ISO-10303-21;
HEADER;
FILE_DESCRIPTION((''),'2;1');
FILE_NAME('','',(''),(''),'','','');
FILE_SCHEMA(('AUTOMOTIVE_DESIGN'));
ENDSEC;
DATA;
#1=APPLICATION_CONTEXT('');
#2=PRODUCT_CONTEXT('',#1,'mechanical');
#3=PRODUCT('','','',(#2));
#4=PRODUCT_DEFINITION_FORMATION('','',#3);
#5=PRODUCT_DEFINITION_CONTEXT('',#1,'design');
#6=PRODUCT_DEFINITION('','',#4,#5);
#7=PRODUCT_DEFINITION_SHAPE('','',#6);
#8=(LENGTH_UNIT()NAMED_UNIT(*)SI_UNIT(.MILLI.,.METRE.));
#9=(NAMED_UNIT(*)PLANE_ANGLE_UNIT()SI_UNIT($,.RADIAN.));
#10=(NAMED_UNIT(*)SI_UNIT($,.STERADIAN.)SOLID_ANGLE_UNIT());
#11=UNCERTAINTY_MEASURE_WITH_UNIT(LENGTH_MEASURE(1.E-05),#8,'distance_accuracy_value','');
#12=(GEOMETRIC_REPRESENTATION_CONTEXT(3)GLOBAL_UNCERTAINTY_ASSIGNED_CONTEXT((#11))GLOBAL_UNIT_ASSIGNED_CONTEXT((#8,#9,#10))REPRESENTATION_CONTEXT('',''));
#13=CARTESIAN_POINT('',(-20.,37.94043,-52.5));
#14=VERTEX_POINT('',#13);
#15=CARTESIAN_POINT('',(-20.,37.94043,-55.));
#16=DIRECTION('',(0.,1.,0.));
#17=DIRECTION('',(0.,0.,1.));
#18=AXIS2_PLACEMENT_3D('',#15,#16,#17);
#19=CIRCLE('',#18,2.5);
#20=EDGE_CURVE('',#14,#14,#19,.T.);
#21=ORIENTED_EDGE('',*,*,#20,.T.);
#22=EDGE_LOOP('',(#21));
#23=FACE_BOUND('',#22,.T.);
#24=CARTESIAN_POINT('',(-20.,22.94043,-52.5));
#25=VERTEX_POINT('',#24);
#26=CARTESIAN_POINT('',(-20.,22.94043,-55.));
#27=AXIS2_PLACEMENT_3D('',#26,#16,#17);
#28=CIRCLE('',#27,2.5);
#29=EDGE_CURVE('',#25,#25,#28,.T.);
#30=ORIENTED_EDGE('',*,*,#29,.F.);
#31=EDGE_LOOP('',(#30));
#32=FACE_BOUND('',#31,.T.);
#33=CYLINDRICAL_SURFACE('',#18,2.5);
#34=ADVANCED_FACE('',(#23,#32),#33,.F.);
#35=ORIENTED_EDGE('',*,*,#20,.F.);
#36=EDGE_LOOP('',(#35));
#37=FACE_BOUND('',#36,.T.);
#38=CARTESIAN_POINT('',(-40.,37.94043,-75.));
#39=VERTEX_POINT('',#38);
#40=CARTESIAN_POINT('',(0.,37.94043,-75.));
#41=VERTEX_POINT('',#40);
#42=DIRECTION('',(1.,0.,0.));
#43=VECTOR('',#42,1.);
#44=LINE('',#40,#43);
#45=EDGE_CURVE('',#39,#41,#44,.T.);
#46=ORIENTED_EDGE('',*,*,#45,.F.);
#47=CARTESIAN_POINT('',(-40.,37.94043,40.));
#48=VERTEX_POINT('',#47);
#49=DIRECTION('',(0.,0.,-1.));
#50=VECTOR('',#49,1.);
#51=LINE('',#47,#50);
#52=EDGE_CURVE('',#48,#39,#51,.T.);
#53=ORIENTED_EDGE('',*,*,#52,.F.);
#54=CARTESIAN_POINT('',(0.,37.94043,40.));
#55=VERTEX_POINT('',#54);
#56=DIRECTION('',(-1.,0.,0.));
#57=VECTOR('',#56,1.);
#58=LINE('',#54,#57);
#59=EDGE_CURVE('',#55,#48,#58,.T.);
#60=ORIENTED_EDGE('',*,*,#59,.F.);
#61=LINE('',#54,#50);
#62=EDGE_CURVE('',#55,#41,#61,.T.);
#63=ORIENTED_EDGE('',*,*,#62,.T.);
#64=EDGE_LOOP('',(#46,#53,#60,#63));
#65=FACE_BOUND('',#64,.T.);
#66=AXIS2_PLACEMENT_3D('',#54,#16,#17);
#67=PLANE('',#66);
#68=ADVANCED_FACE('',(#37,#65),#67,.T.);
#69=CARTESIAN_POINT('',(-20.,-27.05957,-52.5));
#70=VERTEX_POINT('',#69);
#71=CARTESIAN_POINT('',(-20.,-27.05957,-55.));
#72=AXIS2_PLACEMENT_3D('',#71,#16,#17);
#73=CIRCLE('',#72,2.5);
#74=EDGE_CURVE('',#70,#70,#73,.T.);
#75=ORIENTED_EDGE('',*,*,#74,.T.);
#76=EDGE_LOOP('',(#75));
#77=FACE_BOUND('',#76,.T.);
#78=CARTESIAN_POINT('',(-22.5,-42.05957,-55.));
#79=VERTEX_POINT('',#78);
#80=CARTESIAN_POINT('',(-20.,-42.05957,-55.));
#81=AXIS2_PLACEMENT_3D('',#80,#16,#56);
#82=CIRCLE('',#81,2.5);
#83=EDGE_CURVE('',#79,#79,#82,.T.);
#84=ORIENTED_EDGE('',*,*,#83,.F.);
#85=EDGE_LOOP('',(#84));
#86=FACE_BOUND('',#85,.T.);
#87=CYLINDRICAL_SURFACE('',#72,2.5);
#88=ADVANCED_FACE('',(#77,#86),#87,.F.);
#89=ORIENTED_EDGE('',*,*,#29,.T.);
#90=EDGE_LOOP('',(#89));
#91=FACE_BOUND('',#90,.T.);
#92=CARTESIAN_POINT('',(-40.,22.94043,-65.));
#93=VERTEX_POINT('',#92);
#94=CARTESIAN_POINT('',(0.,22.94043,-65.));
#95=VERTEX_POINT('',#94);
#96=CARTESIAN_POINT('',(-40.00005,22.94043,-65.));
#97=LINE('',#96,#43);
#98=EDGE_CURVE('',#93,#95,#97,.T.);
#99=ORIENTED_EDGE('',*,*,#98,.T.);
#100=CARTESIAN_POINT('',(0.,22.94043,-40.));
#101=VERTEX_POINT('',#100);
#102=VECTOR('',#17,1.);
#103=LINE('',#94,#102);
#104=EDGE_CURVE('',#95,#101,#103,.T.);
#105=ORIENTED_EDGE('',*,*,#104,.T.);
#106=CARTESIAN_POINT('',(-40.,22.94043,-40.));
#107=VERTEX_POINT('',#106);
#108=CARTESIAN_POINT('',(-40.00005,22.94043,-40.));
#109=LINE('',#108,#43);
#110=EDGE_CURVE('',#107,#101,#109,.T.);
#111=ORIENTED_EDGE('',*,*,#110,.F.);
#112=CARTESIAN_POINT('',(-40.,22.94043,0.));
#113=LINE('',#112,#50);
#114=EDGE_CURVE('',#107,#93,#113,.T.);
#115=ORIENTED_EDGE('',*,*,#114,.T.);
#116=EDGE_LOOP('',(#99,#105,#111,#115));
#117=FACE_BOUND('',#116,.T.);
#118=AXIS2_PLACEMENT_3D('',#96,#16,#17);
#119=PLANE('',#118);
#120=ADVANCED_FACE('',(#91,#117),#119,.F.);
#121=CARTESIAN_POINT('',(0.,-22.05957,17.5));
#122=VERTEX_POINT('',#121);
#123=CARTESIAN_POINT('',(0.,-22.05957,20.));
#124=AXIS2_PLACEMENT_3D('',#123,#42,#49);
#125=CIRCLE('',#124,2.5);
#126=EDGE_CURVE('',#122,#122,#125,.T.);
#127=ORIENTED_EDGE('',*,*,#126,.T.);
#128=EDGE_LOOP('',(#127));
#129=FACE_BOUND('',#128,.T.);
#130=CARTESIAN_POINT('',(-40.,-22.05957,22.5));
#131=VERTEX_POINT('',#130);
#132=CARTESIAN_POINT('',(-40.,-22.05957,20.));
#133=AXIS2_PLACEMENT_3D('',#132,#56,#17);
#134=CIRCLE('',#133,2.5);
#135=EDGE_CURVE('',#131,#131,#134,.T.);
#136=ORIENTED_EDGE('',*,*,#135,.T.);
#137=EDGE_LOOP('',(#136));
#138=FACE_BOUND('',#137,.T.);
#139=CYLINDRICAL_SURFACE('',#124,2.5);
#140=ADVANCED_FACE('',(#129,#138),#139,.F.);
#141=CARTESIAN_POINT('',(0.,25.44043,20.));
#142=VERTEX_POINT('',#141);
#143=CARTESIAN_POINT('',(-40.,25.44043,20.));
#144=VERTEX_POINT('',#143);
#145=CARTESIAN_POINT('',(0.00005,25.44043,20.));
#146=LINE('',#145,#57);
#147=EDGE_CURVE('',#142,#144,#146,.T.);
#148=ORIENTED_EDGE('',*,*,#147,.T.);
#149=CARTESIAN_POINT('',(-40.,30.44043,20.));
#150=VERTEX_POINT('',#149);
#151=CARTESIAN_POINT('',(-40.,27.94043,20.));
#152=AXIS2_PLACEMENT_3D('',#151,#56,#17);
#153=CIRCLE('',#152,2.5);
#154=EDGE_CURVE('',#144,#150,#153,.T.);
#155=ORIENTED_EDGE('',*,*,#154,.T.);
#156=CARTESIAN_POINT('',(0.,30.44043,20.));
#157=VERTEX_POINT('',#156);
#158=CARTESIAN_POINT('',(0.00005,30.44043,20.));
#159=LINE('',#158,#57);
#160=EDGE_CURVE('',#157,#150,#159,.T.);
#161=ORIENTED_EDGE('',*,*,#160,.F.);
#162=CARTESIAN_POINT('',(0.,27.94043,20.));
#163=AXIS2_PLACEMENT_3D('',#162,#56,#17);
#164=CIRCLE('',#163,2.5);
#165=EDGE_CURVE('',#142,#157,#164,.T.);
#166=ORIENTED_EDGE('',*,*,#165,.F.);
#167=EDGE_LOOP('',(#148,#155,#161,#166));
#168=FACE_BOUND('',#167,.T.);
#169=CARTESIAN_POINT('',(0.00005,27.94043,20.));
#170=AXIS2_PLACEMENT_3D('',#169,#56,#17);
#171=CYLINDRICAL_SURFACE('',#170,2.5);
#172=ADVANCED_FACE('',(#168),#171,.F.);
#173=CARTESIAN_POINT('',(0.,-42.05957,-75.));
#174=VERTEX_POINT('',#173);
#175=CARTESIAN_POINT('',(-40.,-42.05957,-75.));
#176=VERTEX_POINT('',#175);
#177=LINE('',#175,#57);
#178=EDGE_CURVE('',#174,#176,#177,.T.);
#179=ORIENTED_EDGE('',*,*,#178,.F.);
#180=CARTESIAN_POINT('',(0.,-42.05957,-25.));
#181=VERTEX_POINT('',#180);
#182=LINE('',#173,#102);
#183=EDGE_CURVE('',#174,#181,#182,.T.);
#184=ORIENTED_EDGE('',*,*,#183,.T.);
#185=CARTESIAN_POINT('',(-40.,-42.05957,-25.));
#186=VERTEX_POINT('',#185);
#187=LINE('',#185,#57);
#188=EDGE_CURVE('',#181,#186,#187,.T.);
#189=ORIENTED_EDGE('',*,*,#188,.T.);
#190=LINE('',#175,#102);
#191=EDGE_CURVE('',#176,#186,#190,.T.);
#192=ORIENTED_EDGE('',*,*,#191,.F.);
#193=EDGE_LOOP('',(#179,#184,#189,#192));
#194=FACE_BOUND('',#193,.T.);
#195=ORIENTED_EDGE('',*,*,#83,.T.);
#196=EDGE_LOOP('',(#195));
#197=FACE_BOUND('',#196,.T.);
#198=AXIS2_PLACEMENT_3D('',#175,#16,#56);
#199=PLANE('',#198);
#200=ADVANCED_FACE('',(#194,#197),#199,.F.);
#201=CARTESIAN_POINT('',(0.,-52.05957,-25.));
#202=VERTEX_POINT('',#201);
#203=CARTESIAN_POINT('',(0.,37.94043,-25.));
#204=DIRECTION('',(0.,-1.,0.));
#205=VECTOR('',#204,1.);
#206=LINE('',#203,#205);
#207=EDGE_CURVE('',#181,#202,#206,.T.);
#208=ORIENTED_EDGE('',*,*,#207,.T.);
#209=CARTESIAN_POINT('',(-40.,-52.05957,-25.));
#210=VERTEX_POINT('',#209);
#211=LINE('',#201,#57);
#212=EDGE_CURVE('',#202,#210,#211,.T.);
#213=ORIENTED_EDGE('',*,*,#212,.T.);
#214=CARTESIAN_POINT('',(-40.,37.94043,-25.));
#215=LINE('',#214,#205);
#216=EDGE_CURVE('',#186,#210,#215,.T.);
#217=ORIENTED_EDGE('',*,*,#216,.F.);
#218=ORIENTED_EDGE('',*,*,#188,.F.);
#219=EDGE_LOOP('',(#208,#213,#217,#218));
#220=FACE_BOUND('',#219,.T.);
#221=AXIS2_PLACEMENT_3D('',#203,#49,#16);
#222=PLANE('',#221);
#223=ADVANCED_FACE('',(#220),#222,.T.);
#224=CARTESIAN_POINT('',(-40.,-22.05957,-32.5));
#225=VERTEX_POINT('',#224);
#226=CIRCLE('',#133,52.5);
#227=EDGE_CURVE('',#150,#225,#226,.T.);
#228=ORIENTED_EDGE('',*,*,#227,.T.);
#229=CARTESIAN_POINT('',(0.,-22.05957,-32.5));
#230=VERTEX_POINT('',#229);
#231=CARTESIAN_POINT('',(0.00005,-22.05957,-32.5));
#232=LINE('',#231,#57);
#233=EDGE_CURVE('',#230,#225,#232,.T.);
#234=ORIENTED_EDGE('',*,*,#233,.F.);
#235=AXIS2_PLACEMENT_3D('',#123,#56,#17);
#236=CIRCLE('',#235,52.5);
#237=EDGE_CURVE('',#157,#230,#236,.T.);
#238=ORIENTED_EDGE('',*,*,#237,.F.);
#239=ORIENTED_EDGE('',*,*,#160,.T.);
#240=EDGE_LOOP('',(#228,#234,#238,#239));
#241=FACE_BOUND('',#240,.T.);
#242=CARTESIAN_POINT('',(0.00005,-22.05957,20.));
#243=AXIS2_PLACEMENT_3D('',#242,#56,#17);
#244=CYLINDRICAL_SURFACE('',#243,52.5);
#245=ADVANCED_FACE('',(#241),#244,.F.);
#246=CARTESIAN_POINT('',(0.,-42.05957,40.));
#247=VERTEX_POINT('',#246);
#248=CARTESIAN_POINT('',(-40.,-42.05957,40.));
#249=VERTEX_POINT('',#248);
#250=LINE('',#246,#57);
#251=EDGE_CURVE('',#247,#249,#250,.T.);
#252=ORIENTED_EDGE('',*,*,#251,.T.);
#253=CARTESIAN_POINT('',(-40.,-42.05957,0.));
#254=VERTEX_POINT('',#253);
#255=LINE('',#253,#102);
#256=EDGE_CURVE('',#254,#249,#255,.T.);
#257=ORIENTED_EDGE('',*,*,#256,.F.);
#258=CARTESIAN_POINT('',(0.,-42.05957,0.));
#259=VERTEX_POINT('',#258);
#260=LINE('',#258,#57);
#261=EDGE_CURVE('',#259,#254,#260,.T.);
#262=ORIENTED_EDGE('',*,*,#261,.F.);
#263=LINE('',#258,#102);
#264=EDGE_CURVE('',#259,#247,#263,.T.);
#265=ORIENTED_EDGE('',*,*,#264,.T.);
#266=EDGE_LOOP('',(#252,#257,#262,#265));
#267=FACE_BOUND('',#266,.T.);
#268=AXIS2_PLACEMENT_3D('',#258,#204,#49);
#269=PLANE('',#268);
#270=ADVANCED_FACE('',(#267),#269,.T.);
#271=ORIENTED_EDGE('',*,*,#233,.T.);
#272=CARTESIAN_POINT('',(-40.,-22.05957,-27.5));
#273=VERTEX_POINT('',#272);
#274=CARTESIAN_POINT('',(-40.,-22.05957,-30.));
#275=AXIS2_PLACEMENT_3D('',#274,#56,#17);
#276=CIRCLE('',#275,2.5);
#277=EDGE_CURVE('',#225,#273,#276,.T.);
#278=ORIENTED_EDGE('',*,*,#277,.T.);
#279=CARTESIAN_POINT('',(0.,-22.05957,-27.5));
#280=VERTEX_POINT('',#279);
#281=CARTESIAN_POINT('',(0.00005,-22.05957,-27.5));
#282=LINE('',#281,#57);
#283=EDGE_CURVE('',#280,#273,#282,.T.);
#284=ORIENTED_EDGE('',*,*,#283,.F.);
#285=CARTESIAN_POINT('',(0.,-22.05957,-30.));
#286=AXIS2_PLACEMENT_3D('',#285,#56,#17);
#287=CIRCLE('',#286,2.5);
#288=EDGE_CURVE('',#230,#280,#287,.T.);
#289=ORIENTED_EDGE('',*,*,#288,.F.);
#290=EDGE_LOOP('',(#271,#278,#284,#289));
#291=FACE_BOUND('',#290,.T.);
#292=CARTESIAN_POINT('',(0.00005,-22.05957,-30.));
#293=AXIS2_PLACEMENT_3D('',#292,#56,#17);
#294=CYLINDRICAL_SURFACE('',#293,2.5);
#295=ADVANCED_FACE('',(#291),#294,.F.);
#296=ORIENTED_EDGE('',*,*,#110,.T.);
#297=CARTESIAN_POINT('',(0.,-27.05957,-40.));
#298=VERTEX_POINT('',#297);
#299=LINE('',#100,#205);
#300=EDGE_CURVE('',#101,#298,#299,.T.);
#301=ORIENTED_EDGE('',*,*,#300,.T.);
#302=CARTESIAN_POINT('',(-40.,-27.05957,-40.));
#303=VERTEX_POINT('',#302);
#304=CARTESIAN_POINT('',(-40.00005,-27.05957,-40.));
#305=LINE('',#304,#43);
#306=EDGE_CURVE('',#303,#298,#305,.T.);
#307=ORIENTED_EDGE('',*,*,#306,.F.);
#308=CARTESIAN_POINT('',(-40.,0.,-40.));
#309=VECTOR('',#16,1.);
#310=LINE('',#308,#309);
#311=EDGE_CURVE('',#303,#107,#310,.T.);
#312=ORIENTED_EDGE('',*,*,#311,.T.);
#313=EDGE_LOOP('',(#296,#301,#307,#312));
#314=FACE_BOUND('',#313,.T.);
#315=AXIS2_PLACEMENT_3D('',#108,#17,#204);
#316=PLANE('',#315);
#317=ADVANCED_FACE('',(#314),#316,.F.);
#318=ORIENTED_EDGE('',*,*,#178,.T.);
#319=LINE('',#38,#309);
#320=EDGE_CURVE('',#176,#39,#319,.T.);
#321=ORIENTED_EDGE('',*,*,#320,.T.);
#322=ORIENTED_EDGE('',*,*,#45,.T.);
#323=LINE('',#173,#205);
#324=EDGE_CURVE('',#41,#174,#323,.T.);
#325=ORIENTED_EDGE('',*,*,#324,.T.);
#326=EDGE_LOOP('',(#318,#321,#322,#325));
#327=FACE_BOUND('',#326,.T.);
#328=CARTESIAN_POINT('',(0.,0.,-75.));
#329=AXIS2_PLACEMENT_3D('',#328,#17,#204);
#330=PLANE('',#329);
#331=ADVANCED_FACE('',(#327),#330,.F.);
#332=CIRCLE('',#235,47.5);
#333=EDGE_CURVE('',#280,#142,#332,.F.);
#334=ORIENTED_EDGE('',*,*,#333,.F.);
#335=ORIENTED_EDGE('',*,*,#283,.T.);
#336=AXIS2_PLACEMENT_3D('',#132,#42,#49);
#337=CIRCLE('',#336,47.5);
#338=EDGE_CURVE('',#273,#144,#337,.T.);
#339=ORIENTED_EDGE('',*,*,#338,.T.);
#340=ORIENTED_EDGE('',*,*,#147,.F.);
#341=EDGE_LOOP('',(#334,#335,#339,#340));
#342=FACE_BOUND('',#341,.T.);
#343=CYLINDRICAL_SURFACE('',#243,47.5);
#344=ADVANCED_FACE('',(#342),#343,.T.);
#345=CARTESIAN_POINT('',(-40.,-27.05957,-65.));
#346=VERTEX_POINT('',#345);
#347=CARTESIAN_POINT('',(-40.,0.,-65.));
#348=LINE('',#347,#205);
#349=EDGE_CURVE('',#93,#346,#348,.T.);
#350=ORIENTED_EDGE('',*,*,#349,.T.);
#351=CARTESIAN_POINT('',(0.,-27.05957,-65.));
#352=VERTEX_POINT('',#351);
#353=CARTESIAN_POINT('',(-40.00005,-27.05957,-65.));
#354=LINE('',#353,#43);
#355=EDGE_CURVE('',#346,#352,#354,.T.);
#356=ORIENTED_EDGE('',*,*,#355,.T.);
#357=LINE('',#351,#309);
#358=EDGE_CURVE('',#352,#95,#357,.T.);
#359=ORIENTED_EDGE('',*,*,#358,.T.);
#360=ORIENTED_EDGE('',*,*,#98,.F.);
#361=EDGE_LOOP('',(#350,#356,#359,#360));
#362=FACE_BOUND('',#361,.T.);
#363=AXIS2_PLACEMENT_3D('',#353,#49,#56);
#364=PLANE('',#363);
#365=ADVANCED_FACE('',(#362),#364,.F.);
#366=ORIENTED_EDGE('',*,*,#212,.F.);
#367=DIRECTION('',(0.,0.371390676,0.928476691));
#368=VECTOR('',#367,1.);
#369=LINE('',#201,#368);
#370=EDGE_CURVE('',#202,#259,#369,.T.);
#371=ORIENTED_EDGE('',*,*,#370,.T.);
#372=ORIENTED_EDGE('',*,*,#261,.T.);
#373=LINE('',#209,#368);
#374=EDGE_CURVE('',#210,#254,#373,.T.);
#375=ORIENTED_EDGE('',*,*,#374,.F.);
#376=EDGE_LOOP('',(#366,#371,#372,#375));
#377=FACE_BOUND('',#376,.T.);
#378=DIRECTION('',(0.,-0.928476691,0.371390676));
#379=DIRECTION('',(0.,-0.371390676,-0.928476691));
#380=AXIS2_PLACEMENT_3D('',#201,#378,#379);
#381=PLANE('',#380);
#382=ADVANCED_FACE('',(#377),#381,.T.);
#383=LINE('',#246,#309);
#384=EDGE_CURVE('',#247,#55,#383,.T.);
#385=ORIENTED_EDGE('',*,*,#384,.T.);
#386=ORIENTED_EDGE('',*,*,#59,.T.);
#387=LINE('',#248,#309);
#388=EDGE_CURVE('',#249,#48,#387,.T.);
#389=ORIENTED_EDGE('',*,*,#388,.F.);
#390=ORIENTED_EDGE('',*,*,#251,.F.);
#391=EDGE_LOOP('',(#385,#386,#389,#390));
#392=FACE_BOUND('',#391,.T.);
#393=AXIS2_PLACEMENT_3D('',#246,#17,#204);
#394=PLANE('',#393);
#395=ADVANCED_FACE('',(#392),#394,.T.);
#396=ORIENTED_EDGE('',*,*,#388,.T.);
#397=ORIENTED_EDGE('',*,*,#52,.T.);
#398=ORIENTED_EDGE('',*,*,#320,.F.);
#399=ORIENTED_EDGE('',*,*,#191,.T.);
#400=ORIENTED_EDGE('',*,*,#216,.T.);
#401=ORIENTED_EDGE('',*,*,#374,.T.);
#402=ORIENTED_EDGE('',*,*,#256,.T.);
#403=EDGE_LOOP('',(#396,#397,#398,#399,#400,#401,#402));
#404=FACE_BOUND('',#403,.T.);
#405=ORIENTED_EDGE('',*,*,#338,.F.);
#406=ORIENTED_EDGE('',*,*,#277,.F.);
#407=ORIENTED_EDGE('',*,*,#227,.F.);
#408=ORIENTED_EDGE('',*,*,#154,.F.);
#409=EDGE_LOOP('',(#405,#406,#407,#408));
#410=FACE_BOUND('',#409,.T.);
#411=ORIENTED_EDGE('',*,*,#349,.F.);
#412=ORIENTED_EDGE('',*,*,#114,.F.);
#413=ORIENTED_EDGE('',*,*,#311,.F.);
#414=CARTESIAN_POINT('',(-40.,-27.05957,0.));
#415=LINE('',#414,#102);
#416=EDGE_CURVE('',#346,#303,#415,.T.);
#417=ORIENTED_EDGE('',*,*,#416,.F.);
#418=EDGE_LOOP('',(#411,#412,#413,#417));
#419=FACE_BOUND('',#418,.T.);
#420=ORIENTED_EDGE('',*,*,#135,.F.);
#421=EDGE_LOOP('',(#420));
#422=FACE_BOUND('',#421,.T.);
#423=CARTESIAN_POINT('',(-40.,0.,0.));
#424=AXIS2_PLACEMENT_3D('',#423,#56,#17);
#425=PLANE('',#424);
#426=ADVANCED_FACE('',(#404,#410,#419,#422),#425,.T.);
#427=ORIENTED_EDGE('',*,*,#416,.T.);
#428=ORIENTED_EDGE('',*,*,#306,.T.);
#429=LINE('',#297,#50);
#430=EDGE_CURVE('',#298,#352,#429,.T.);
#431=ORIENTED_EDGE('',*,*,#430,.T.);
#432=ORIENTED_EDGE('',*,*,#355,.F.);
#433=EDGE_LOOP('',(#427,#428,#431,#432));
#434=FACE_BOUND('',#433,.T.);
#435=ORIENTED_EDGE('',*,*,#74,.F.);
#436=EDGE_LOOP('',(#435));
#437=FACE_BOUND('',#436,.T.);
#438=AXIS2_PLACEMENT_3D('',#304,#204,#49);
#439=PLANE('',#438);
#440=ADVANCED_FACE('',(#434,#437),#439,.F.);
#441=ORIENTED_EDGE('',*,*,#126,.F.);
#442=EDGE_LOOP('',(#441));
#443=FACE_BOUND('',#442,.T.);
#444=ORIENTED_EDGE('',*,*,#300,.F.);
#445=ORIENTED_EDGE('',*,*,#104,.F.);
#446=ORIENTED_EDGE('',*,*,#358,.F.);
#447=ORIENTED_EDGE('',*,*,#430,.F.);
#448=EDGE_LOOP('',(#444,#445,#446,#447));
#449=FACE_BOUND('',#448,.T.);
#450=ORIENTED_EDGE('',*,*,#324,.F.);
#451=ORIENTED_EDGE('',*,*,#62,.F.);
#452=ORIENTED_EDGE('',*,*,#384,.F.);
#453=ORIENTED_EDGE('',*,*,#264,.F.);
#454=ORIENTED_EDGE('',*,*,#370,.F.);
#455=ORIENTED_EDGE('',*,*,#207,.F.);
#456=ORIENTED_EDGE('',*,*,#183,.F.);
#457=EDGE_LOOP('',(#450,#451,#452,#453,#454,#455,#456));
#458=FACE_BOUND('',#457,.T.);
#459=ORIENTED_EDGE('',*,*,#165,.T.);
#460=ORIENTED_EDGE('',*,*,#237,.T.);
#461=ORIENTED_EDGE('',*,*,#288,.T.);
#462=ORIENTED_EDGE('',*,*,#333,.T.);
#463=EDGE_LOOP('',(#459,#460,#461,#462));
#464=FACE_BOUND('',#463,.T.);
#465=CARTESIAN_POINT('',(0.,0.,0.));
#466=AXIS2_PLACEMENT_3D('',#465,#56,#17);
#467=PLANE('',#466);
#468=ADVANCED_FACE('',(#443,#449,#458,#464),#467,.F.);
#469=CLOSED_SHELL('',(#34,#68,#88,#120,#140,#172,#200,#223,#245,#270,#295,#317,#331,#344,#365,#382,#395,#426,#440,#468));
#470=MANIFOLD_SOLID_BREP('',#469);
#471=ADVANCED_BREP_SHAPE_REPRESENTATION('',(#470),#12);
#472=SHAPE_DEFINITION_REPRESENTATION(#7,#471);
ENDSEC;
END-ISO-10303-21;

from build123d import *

# Parameters (mm, degrees)
SALIENTE_EXTRUIR1_DEPTH           = 40
CROQUIS2_W                        = 40
CROQUIS2_H                        = 80
SALIENTE_EXTRUIR2_DEPTH           = 50
CORTAR_EXTRUIR1_DEPTH             = 41
CROQUIS4_W                        = 25.000000038
CROQUIS4_H                        = 50
CORTAR_EXTRUIR2_DEPTH             = 41
DI_METRO_DE_TALADRO_5_0_5_1_D     = 5
DI_METRO_DE_TALADRO_5_0_5_1_DEPTH = 25.000025
DI_METRO_DE_TALADRO_5_0_5_2_D     = 5
DI_METRO_DE_TALADRO_5_0_5_2_DEPTH = 40.00005
DI_METRO_DE_TALADRO_5_0_5_3_D     = 5
DI_METRO_DE_TALADRO_5_0_5_3_DEPTH = 90.000025


with BuildPart() as part:
    # Croquis1 → Saliente-Extruir1 (new body)
    with BuildSketch(Plane(origin=(-40, 0, 0), x_dir=(0, -1, 0), z_dir=(-1, 0, 0))):
        Polygon((-37.940430416, 40), (-37.940430416, -25), (52.059569584, -25), (42.059569584, 0), (42.059569584, 40), align=None)
    extrude(amount=-SALIENTE_EXTRUIR1_DEPTH)

    # Croquis2 → Saliente-Extruir2 (add)
    with BuildSketch(Plane(origin=(0, 0, -25), x_dir=(-1, 0, 0), z_dir=(0, 0, -1))):
        with Locations((20, -2.059569584)):
            Rectangle(CROQUIS2_W, CROQUIS2_H)
    extrude(amount=SALIENTE_EXTRUIR2_DEPTH)

    # Croquis3 → Cortar-Extruir1 (cut, through all)
    with BuildSketch(Plane.ZY.offset(40)):
        with BuildLine():
            ThreePointArc((-32.5, -22.059569584), (-30, -24.559569584), (-27.5, -22.059569584))
            ThreePointArc((-27.5, -22.059569584), (-13.587572106, 11.528002522), (20, 25.440430416))
            ThreePointArc((20, 25.440430416), (22.5, 27.940430416), (20, 30.440430416))
            ThreePointArc((20, 30.440430416), (-17.123106012, 15.063536428), (-32.5, -22.059569584))
        make_face()
    extrude(amount=-CORTAR_EXTRUIR1_DEPTH, mode=Mode.SUBTRACT)

    # Croquis4 → Cortar-Extruir2 (cut, through all)
    with BuildSketch(Plane(origin=(0, 0, 0), x_dir=(0, 0, -1), z_dir=(1, 0, 0))):
        with Locations((52.499999981, -2.059569584)):
            Rectangle(CROQUIS4_W, CROQUIS4_H)
    extrude(amount=-CORTAR_EXTRUIR2_DEPTH, mode=Mode.SUBTRACT)

    # Diámetro de taladro Ø5.0 (5)1
    with Locations(Plane(origin=(0, -27.059569584, 0), x_dir=(1, 0, 0), z_dir=(0, 1, 0))):
        with Locations((-20, 55)):
            Hole(DI_METRO_DE_TALADRO_5_0_5_1_D / 2, depth=DI_METRO_DE_TALADRO_5_0_5_1_DEPTH)

    # Diámetro de taladro Ø5.0 (5)2
    with Locations(Plane(origin=(0, 0, 0), x_dir=(0, 0, -1), z_dir=(1, 0, 0))):
        with Locations((-20, -22.059569584)):
            Hole(DI_METRO_DE_TALADRO_5_0_5_2_D / 2, depth=DI_METRO_DE_TALADRO_5_0_5_2_DEPTH)

    # Diámetro de taladro Ø5.0 (5)3
    with Locations(Plane(origin=(0, 37.940430416, 0), x_dir=(1, 0, 0), z_dir=(0, 1, 0))):
        with Locations((-20, 55)):
            Hole(DI_METRO_DE_TALADRO_5_0_5_3_D / 2, depth=DI_METRO_DE_TALADRO_5_0_5_3_DEPTH)


solid = part.part
